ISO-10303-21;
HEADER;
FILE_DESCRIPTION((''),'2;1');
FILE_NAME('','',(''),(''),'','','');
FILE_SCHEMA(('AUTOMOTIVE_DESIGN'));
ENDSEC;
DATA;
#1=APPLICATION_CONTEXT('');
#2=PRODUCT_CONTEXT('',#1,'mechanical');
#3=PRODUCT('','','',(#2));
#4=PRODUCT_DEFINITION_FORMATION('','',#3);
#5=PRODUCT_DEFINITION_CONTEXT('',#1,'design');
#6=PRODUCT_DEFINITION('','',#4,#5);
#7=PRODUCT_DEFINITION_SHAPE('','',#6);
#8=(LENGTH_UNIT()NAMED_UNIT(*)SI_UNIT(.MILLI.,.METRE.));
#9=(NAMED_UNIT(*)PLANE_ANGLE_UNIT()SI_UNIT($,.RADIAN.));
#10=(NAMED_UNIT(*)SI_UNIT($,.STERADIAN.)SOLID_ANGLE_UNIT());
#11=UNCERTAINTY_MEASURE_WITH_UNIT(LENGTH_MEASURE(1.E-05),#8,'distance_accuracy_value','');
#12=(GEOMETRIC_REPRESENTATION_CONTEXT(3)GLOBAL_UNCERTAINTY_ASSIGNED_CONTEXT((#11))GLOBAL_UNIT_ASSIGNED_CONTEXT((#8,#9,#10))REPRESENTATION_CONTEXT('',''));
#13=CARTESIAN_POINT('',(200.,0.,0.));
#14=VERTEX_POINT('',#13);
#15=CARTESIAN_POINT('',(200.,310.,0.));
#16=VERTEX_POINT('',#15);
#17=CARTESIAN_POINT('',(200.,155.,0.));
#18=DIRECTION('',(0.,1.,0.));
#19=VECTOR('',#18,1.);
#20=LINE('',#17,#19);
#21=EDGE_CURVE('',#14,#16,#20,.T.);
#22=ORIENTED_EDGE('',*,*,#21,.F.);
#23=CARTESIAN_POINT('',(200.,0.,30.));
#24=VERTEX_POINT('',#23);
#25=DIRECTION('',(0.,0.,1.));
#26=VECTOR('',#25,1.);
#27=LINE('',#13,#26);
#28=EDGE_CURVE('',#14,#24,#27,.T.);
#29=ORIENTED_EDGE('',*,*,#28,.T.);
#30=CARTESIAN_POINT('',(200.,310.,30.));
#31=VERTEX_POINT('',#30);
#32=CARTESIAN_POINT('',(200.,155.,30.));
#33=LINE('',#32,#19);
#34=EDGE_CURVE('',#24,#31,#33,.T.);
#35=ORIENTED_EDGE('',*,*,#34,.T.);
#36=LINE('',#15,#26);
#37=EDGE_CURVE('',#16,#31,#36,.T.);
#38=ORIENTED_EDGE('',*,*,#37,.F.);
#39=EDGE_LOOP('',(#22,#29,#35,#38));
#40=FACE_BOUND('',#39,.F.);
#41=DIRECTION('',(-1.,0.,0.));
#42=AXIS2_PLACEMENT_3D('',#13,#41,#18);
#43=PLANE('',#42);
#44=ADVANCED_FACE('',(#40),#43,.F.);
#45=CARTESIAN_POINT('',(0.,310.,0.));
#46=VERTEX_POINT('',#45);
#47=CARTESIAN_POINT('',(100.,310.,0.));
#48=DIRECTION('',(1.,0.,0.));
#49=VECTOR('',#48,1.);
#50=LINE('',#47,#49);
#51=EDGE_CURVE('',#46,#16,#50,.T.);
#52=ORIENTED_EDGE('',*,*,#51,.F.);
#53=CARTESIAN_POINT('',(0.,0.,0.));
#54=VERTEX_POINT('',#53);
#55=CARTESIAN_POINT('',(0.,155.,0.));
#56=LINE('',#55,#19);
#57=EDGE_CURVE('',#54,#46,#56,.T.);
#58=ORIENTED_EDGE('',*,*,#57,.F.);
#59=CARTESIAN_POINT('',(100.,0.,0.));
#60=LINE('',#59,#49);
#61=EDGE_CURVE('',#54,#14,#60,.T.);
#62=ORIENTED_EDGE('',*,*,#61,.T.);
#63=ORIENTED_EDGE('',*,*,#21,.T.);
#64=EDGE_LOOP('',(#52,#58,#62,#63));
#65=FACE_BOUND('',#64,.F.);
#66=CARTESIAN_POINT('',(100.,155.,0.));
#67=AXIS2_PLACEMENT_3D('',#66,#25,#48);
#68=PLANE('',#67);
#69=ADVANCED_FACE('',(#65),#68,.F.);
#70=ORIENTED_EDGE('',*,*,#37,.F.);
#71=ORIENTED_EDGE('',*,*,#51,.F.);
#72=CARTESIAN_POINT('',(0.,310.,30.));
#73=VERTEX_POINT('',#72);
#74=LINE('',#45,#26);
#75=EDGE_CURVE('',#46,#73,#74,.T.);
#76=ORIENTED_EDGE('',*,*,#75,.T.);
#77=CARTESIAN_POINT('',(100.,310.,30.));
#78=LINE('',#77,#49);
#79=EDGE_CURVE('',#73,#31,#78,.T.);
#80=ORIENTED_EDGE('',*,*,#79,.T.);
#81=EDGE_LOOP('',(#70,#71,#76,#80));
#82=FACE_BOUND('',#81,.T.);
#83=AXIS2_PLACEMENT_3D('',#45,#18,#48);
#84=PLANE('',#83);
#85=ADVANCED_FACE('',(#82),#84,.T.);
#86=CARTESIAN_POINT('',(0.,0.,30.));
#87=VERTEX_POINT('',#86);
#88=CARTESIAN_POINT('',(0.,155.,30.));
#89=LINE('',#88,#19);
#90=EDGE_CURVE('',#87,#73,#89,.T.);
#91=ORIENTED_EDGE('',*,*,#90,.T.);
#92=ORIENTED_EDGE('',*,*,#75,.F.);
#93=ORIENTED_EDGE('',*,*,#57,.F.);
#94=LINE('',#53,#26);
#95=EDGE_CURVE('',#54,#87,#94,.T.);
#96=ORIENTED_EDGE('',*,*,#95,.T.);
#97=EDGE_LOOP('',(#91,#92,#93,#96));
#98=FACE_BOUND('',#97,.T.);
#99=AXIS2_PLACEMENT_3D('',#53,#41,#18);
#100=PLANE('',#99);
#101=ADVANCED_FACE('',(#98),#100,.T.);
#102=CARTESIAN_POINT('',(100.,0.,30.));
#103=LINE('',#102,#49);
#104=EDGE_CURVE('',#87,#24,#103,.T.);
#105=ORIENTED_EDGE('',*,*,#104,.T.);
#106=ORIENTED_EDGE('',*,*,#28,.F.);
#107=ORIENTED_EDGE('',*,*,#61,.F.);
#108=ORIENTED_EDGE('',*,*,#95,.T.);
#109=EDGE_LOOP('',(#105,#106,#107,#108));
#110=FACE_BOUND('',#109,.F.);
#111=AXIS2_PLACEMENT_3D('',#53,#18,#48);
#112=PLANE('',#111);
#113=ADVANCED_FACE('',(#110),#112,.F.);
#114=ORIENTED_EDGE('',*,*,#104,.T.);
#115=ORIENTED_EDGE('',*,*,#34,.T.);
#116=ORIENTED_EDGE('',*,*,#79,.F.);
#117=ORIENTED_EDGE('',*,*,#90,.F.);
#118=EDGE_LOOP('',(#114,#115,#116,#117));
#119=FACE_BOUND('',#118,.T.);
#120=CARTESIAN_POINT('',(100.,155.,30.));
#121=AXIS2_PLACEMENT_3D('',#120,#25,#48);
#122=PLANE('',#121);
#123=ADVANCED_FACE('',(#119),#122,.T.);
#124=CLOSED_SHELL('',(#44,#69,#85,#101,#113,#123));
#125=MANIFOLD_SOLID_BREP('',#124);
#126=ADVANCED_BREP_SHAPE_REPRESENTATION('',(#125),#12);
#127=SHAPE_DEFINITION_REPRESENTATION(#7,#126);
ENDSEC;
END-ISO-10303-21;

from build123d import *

# Parameters (mm, degrees)
SKETCH_W  = 200
SKETCH_H  = 310
PAD_DEPTH = 30


with BuildPart() as part:
    # Sketch → Pad (new body)
    with BuildSketch(Plane.XY):
        with Locations((100, 155)):
            Rectangle(SKETCH_W, SKETCH_H)
    extrude(amount=PAD_DEPTH)


solid = part.part
